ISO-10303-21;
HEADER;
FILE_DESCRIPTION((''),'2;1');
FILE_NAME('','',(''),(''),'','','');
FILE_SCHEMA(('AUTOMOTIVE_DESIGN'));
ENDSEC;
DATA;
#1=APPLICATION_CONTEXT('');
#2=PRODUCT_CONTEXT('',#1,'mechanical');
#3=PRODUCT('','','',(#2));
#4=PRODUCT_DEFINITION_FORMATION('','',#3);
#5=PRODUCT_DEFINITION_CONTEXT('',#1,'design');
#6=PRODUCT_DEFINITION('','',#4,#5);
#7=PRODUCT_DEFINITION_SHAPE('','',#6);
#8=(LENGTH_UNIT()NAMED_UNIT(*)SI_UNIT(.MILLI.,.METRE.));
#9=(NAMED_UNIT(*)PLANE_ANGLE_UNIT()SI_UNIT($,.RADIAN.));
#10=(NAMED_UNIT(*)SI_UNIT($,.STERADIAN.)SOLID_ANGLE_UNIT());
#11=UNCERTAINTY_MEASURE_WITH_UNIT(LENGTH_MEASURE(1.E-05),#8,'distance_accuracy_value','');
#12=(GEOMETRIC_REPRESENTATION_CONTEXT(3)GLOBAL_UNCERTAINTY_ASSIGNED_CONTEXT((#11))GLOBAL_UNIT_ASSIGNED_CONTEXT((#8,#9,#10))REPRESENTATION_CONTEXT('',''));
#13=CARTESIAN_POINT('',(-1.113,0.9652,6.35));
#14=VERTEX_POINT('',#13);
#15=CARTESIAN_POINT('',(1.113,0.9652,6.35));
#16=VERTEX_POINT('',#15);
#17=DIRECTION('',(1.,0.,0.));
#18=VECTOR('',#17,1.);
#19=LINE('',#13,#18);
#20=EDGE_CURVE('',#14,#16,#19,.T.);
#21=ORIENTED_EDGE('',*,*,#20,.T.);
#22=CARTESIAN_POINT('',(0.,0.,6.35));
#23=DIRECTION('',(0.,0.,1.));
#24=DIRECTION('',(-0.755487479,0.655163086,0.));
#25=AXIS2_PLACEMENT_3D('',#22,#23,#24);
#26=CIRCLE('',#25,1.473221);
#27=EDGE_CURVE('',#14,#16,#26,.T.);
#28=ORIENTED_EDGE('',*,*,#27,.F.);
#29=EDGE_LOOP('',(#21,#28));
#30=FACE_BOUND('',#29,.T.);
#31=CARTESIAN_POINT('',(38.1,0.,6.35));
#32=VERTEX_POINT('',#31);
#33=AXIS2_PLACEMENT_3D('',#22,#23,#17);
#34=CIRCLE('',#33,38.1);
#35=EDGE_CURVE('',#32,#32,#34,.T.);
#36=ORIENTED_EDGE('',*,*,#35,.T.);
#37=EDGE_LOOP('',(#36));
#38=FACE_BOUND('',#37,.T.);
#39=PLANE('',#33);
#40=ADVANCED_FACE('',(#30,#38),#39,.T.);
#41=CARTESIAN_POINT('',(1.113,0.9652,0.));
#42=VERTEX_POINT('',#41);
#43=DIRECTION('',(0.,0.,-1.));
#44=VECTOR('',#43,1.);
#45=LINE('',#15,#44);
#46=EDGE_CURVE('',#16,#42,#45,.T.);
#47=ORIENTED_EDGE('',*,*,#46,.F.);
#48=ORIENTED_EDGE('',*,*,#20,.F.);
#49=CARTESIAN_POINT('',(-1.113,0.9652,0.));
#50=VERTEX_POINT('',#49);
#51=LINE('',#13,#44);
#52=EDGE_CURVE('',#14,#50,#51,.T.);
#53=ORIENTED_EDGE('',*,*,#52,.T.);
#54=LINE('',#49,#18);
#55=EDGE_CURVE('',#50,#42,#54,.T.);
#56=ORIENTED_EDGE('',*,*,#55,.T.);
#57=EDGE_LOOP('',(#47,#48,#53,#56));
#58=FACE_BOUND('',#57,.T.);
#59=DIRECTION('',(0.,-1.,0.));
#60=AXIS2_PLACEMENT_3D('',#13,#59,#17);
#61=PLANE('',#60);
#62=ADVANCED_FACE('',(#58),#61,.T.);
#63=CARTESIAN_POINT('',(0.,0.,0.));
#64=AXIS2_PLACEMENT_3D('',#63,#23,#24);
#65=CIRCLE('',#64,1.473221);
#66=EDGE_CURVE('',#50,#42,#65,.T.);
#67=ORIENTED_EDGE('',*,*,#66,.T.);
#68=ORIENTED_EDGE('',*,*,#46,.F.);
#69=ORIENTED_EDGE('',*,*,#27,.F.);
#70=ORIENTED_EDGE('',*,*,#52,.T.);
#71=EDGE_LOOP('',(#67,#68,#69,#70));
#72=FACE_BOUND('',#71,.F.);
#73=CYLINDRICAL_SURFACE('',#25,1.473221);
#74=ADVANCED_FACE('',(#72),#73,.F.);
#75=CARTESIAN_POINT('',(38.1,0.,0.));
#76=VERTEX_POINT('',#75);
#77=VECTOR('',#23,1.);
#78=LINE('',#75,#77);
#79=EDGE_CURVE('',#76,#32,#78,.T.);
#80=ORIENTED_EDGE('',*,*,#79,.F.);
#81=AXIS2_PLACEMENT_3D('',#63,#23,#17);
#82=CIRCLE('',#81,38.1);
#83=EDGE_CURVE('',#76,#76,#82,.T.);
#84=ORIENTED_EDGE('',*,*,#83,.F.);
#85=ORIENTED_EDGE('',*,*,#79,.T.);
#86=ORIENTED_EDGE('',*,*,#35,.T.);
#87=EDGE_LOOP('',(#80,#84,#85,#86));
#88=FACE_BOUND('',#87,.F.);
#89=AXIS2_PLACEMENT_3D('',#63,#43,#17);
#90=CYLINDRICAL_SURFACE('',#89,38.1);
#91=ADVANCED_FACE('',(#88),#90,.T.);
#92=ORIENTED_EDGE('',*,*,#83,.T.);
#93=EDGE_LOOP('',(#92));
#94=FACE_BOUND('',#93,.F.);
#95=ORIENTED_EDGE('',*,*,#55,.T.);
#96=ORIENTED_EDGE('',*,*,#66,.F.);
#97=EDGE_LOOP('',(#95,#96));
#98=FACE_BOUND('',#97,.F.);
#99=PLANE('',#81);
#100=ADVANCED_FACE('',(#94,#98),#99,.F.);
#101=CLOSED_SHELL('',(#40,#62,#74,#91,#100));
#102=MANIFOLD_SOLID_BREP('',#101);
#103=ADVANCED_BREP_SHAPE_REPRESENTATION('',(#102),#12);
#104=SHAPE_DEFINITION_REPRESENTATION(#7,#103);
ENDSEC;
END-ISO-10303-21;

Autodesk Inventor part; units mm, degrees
ref_plane "YZ Plane" through (0, 0, 0) normal (1, 0, 0) x (0, 1, 0)
ref_plane "XZ Plane" through (0, 0, 0) normal (0, 1, 0) x (-1, 0, 0)
ref_plane "XY Plane" through (0, 0, 0) normal (0, 0, 1) x (1, 0, 0)
sketch "Sketch1" plane through (0, 0, 0) normal (0, 0, 1) x (1, 0, 0)
  circle A0 centre (0, 0) radius 38.1
  dimension "d0" = 76.2
extrude "Plate1" add sketch "Sketch1" along normal blind 6.35
sketch "Sketch2" plane through (0, 0, 6.35) normal (0, 0, 1) x (1, 0, 0)
  arc A0 (-1.113, 0.9652) -> (1.113, 0.9652) centre (0, 0) ccw
  line L0 (-1.113, 0.9652) -> (1.113, 0.9652)
  arc A1 (1.113, 0.9652) -> (-1.113, 0.9652) centre (0, 0) ccw construction
  dimension "d2" = 2.9464
  dimension "d4" = 2.4384
extrude "Cut1" cut sketch "Sketch2" against normal blind 6.35
equation "\"d5\" = Thickness"
equation "\"d1\" = Thickness"
equation "\"BendRadius\" = Thickness"
equation "\"BendReliefWidth\" = Thickness"
equation "\"BendReliefDepth\" = 0.5 * Thickness"
equation "\"CornerReliefSize\" = 4 * Thickness"
equation "\"MinimumRemnant\" = 2 * Thickness"
equation "\"TransitionRadius\" = BendRadius"
equation "\"JacobiRadiusSize\" = BendRadius"
equation "\"GapSize\" = Thickness"
equation "\"smallerness\" = 0.0254"
equation "\"Thickness\" = 6.35"
properties part number "pibot_wheel_1"
